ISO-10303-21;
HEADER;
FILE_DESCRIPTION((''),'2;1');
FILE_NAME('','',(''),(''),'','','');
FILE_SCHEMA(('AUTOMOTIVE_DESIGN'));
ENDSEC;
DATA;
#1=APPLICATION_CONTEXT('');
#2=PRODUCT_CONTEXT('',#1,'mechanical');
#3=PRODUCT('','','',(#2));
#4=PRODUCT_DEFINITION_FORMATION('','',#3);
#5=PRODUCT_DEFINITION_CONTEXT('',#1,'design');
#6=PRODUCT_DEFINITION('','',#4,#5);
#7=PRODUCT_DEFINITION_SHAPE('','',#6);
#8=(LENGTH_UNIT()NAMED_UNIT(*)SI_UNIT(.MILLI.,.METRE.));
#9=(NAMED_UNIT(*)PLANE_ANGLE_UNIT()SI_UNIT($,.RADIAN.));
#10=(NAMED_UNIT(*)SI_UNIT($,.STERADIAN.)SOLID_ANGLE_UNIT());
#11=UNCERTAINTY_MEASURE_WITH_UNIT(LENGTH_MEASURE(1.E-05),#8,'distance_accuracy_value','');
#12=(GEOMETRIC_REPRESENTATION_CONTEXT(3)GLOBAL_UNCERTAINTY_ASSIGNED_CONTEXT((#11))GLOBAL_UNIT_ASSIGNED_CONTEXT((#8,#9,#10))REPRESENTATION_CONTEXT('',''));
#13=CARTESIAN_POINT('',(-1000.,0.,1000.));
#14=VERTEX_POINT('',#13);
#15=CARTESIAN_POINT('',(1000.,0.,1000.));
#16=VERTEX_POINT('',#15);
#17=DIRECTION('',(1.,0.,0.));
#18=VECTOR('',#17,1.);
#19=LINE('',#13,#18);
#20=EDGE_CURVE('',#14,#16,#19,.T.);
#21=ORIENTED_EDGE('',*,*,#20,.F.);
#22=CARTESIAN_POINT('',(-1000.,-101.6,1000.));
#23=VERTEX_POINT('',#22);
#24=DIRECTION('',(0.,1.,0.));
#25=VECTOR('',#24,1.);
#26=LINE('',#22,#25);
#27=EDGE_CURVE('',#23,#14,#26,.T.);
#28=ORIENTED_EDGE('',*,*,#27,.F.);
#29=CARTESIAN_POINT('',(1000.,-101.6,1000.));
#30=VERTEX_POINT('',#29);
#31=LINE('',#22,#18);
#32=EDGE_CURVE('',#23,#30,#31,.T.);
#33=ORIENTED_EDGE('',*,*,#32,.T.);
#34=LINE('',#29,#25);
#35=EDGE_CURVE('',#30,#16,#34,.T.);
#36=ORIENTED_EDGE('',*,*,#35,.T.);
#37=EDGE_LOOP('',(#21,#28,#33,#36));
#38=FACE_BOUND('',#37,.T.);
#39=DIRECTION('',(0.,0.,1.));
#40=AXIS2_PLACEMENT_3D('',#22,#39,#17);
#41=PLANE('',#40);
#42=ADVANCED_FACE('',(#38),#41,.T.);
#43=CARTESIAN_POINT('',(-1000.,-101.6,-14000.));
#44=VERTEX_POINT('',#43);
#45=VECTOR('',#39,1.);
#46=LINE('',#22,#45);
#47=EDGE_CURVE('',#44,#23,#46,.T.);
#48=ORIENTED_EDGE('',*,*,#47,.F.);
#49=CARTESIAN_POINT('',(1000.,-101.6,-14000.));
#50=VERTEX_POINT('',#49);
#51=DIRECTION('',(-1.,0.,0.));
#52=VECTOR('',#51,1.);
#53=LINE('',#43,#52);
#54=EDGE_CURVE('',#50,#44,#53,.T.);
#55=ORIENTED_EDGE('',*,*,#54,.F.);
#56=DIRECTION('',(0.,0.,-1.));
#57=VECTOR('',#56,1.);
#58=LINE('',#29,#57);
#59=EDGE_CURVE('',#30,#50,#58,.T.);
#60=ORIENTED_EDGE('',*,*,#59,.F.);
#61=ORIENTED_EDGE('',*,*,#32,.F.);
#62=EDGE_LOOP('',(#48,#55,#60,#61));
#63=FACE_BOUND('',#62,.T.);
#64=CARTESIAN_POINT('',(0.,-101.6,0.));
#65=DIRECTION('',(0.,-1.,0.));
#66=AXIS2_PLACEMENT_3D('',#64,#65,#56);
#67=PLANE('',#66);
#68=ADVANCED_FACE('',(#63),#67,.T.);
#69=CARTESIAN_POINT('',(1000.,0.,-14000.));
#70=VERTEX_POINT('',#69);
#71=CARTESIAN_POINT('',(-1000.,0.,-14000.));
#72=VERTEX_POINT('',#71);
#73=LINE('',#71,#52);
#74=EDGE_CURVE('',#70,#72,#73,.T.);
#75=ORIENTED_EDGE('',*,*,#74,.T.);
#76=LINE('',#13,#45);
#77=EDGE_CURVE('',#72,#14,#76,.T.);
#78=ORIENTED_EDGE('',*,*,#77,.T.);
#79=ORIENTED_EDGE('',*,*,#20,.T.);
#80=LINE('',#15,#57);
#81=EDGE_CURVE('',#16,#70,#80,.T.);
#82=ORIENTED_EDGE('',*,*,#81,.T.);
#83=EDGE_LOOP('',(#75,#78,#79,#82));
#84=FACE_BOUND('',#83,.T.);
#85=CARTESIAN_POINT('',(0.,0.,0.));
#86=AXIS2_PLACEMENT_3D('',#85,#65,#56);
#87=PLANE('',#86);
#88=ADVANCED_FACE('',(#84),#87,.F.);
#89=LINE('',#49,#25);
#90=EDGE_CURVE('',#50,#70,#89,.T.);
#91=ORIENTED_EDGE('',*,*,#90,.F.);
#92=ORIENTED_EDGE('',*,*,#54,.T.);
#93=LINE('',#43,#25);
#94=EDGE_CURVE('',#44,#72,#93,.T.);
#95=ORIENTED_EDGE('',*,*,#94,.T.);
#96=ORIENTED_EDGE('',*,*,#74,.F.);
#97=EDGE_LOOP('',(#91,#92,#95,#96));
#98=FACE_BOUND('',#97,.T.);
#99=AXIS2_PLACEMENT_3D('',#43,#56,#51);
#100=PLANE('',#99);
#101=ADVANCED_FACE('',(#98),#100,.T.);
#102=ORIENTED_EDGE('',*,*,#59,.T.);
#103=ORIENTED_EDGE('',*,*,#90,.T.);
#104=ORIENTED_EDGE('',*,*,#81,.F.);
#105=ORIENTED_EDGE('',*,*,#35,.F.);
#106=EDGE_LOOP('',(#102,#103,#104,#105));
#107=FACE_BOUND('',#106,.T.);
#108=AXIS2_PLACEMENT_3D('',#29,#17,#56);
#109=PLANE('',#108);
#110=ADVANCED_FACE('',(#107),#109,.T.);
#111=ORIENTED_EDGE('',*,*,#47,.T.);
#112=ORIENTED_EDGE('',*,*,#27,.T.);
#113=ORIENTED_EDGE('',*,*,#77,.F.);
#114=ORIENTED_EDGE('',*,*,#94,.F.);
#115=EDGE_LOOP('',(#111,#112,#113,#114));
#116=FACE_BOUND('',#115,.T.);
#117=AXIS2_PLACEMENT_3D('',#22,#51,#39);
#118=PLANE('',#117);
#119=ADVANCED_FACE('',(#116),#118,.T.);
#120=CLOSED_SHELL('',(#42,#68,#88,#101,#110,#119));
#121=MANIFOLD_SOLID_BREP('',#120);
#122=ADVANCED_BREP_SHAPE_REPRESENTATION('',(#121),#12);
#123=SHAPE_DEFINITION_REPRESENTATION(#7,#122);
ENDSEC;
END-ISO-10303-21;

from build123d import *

# Parameters (mm, degrees)
SKETCH1_W           = 2000
SKETCH1_H           = 15000
BOSS_EXTRUDE1_DEPTH = 101.6


with BuildPart() as part:
    # Sketch1 → Boss-Extrude1 (new body)
    with BuildSketch(Plane(origin=(0, 0, 0), x_dir=(1, 0, 0), z_dir=(0, 1, 0))):
        with Locations((0, 6500)):
            Rectangle(SKETCH1_W, SKETCH1_H)
    extrude(amount=-BOSS_EXTRUDE1_DEPTH)


solid = part.part
